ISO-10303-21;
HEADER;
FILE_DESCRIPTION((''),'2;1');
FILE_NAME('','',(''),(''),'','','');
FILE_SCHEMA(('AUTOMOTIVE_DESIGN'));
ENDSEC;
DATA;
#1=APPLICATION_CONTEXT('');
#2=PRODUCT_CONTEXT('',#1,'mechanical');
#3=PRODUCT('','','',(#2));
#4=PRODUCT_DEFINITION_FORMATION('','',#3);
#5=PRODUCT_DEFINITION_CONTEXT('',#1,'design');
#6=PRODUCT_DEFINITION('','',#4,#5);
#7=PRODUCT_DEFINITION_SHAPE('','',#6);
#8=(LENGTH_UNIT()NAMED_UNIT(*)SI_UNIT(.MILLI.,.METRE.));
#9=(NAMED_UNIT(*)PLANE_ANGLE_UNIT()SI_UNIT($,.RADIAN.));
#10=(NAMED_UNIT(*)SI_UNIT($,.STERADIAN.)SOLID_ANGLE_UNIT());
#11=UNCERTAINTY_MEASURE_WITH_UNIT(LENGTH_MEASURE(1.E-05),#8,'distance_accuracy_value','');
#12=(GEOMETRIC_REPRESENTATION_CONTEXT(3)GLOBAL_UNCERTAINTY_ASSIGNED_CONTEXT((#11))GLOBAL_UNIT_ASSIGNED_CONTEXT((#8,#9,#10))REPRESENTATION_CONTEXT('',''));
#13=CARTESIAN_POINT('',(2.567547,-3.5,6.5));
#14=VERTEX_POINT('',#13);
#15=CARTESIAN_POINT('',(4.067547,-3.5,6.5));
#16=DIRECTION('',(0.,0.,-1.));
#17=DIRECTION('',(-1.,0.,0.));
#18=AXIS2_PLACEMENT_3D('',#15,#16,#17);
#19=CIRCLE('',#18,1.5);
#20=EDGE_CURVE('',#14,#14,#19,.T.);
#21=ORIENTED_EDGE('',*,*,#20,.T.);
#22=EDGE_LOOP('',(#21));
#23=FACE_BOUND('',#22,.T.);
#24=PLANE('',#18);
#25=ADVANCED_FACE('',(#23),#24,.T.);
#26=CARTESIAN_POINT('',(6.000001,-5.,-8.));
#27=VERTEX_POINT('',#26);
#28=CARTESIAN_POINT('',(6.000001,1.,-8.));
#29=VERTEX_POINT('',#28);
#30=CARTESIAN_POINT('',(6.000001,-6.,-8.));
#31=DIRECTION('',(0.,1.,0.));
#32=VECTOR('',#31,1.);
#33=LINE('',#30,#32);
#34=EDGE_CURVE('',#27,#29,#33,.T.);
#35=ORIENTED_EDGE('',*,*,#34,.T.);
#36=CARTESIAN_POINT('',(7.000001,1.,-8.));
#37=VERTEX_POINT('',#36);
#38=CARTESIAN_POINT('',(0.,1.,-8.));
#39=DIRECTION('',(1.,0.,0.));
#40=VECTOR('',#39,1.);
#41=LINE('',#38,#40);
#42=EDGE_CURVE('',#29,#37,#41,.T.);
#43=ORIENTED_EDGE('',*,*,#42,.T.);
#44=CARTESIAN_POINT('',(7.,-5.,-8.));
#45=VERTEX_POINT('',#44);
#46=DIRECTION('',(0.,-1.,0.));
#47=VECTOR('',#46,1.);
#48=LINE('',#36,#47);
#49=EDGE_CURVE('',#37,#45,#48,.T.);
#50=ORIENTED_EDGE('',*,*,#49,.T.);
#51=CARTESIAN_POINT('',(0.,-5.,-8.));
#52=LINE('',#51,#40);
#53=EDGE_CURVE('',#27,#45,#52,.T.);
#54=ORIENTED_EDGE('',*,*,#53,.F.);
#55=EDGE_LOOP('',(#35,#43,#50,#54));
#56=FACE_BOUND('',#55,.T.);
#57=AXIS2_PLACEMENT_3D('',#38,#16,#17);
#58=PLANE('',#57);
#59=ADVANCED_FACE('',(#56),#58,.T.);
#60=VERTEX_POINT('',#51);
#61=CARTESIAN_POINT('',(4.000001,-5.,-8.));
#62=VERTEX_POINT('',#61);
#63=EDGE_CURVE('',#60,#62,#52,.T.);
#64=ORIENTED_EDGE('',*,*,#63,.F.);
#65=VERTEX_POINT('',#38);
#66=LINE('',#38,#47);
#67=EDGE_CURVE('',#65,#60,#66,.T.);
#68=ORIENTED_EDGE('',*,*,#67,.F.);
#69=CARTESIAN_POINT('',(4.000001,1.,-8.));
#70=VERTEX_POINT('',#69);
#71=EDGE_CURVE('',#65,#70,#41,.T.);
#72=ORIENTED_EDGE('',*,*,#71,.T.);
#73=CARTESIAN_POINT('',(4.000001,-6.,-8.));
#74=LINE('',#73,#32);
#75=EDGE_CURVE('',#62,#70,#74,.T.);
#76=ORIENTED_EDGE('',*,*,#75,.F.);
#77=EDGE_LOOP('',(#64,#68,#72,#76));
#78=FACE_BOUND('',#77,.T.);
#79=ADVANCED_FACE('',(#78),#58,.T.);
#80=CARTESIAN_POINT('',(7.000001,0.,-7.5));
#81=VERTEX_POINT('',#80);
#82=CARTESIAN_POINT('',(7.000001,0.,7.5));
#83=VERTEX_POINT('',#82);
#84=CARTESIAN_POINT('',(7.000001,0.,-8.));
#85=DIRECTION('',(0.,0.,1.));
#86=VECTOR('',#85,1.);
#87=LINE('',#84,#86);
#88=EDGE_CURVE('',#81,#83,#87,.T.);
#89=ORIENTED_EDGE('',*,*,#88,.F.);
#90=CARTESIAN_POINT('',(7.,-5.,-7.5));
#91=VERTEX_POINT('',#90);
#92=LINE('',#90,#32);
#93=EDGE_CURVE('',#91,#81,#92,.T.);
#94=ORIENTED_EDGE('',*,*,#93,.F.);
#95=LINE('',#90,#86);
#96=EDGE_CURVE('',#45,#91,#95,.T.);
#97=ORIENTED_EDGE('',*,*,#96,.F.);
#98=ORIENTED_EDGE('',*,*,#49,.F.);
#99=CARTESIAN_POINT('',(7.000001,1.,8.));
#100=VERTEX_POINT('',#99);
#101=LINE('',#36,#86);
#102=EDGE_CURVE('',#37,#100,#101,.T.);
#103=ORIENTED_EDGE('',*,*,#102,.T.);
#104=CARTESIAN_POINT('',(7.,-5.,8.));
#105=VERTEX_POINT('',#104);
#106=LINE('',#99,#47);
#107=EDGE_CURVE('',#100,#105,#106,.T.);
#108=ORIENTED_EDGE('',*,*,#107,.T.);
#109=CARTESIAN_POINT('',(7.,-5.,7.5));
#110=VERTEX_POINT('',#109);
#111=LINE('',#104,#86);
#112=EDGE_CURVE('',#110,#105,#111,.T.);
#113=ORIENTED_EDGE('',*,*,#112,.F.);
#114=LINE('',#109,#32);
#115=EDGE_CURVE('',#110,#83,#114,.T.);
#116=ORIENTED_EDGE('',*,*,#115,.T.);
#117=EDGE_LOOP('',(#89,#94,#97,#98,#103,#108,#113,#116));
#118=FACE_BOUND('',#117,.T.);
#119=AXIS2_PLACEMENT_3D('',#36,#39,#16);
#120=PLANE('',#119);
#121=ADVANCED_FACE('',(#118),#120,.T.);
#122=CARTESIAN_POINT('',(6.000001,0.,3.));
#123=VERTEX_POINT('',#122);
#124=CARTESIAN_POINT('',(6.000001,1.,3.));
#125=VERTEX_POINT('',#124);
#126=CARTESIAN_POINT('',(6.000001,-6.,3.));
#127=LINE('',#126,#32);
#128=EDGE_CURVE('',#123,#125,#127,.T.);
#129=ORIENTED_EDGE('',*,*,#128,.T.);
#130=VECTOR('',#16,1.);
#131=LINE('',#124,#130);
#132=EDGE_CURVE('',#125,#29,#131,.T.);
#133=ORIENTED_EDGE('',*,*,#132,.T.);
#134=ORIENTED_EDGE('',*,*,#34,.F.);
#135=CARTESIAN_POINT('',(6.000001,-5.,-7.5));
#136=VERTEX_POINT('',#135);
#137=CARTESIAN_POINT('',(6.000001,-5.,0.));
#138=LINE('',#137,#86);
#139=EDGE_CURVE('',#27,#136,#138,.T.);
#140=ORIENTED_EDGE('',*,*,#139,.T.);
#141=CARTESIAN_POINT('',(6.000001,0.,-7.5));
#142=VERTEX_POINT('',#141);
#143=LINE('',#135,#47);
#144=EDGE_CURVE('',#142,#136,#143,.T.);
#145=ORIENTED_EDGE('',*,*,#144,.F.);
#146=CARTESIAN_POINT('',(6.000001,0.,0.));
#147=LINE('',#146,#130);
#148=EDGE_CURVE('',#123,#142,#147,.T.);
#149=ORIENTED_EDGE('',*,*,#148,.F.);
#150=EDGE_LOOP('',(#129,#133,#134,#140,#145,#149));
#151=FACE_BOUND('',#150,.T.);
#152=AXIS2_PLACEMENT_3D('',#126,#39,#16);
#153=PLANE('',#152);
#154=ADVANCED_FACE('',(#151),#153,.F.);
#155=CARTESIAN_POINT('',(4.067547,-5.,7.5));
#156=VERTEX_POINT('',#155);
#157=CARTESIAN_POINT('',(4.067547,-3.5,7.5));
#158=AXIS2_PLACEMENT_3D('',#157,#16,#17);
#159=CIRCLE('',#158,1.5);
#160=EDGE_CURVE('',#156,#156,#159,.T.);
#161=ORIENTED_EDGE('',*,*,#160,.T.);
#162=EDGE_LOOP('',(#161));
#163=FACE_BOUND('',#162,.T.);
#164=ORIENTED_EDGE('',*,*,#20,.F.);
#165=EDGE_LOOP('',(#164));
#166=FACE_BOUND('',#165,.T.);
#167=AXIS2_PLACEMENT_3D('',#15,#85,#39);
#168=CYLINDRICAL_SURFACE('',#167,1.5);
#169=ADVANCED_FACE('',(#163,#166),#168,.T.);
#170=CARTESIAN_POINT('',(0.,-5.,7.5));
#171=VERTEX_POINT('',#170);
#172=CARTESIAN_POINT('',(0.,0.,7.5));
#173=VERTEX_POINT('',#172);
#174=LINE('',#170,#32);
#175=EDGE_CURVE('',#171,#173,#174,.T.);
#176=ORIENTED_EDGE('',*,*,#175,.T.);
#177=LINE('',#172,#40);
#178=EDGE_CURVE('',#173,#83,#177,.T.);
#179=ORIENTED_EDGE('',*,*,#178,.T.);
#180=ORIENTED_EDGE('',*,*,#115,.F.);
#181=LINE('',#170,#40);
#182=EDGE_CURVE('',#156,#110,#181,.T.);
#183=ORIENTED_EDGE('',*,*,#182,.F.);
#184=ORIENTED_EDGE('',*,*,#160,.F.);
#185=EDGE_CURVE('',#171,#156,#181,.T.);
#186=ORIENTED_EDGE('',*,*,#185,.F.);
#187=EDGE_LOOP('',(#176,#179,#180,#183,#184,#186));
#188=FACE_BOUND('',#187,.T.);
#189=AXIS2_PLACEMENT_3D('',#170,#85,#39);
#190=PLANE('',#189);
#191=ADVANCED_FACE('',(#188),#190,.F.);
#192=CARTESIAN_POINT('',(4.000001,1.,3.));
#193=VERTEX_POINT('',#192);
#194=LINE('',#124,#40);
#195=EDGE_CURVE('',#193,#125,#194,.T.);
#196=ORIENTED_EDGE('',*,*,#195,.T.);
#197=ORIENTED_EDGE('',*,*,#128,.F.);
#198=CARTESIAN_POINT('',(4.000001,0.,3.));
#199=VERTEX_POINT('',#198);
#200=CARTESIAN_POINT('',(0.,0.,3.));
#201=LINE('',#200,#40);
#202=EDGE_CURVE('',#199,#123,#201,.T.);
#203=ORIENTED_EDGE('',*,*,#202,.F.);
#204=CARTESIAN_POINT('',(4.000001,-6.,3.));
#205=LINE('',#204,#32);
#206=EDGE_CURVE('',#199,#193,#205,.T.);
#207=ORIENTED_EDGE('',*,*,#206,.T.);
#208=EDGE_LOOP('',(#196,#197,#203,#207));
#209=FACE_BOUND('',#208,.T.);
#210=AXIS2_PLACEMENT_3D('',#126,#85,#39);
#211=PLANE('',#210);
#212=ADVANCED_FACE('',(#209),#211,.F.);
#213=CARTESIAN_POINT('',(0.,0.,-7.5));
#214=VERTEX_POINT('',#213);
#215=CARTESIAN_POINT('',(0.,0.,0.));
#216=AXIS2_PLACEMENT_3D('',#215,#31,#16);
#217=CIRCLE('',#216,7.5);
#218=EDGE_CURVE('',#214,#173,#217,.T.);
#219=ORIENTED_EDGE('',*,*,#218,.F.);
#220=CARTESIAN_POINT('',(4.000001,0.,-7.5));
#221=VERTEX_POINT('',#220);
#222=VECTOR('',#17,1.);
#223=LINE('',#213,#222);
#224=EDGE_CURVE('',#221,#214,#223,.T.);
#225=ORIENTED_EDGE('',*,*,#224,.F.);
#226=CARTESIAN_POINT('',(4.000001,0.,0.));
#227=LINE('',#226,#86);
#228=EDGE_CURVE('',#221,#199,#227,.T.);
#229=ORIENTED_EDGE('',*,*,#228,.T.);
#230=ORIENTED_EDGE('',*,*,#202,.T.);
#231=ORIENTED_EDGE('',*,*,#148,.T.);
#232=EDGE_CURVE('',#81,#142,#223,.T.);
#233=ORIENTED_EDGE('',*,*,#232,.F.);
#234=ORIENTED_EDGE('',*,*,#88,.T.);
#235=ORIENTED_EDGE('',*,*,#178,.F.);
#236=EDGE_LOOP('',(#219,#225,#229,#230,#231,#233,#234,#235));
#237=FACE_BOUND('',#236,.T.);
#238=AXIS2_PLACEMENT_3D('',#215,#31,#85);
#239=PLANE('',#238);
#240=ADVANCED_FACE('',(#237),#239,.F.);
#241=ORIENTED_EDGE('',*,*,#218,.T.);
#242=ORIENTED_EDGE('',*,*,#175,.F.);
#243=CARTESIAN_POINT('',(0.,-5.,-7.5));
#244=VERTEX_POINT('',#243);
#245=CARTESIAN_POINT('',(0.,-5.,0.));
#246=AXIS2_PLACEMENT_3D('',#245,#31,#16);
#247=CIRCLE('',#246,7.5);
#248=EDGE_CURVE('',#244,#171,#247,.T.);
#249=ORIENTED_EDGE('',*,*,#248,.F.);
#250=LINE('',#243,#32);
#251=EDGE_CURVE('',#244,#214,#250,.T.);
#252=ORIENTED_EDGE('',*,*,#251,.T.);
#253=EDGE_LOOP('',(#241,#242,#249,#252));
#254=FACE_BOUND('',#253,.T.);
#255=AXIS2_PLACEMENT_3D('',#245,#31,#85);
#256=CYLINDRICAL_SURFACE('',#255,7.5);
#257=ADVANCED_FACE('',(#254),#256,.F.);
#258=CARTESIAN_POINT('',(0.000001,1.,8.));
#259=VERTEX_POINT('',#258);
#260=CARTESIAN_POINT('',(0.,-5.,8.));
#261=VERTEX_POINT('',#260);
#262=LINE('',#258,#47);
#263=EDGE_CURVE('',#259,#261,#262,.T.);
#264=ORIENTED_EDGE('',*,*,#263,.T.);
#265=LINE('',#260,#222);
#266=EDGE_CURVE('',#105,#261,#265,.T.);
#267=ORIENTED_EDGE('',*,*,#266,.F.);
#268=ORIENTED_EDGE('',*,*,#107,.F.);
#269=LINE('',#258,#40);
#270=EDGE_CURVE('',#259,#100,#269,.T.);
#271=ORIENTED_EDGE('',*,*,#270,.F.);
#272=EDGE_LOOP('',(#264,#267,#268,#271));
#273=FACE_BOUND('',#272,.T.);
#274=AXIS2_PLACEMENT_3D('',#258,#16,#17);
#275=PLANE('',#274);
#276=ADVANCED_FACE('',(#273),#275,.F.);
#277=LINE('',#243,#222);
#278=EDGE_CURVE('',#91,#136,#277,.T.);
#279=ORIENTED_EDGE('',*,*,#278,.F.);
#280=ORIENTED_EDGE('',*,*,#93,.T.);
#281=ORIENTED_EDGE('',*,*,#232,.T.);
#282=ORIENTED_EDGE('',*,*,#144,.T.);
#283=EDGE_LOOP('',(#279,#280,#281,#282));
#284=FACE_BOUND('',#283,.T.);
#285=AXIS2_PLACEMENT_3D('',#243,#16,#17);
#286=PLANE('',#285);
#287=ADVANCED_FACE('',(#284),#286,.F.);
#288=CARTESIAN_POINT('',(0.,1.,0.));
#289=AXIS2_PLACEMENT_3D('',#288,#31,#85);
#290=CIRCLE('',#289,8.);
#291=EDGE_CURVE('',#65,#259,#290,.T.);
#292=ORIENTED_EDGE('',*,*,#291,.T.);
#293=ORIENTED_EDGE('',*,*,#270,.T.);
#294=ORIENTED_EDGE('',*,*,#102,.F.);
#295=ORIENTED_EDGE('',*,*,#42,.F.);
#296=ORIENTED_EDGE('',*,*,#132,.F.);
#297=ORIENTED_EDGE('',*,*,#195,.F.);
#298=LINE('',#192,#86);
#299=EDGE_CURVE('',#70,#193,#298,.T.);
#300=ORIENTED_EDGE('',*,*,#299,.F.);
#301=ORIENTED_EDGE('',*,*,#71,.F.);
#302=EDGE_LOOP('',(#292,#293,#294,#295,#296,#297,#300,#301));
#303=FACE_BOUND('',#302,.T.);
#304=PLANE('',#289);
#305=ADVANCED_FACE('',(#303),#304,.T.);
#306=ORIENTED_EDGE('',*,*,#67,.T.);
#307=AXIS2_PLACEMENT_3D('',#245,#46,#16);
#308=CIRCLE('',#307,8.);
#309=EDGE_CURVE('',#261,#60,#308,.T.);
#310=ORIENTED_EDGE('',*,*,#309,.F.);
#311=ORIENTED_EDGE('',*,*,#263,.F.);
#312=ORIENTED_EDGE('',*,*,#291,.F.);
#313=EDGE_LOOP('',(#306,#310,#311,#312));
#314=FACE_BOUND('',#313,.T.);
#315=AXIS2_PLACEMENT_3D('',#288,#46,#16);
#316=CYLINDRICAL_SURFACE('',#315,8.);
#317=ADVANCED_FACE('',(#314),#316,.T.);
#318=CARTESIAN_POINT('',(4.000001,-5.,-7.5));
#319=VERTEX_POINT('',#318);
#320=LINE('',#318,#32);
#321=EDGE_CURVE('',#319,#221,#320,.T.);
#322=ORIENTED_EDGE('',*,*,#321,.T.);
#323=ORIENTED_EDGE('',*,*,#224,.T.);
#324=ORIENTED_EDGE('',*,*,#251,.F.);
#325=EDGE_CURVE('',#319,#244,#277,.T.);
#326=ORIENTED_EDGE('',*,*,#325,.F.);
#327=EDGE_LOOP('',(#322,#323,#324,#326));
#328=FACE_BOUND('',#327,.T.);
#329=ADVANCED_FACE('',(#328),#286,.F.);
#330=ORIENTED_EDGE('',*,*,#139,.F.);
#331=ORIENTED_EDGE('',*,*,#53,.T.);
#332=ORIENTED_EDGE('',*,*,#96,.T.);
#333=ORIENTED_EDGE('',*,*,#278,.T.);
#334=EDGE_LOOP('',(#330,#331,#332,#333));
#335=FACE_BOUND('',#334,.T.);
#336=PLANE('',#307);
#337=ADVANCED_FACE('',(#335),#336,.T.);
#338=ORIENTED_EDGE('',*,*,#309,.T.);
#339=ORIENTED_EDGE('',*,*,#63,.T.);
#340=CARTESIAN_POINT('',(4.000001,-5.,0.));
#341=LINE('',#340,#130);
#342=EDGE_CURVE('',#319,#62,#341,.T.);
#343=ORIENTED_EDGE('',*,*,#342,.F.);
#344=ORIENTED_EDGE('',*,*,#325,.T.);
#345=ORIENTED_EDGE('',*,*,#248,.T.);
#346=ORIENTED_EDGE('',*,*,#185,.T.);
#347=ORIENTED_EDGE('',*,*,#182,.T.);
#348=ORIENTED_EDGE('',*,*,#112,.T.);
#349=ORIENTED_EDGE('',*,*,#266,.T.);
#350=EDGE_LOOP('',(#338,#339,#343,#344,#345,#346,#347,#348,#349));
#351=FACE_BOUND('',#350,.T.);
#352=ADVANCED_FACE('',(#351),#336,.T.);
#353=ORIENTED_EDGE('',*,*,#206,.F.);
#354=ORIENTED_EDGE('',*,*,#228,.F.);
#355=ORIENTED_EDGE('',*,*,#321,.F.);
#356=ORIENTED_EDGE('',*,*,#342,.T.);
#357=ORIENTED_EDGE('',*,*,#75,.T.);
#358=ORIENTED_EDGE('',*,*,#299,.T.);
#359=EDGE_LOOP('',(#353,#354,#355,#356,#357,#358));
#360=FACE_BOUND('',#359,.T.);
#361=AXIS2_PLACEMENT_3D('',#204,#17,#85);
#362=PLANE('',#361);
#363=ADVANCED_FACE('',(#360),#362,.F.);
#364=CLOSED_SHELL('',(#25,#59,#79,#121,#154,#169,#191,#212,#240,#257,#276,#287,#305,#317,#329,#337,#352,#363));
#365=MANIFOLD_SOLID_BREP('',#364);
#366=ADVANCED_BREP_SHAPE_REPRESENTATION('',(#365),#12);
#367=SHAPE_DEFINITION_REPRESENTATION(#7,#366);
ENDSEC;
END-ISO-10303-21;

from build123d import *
from build123d.topology import SkipClean

# Parameters (mm, degrees)
BOSS_EXTRUDE1_DEPTH = 1
BOSS_EXTRUDE3_START = 5
BOSS_EXTRUDE3_DEPTH = 5
SKETCH6_W           = 2
SKETCH6_H           = 11
CUT_EXTRUDE1_DEPTH  = 7
SKETCH7_R           = 1.5
BOSS_EXTRUDE4_DEPTH = 1


with BuildPart() as part:
    # Sketch1 → Boss-Extrude1 (new body)
    with BuildSketch(Plane(origin=(0, 0, 0), x_dir=(1, 0, 0), z_dir=(0, 1, 0))):
        with BuildLine():
            Line((0, 8), (7.000000828, 8))
            Line((7.000000828, 8), (7.000000828, -8))
            Line((7.000000828, -8), (8.28e-07, -8))
            ThreePointArc((8.28e-07, -8), (-8, -4.14e-07), (0, 8))
        make_face()
    extrude(amount=BOSS_EXTRUDE1_DEPTH)

    # Sketch5 → Boss-Extrude3 (add)
    with SkipClean():  # the faces are left unmerged after this step: merging them gives an invalid solid
        with BuildSketch(Plane.XZ.offset(BOSS_EXTRUDE3_START)):
            with BuildLine():
                Line((0, 8), (7, 8))
                Line((7, 8), (7, 7.5))
                Line((7, 7.5), (0, 7.5))
                ThreePointArc((0, 7.5), (-7.5, 0), (0, -7.5))
                Line((0, -7.5), (7, -7.5))
                Line((7, -7.5), (7, -8))
                Line((7, -8), (0, -8))
                ThreePointArc((0, -8), (-8, 0), (0, 8))
            make_face()
        extrude(amount=-BOSS_EXTRUDE3_DEPTH)

    # Sketch6 → Cut-Extrude1 (cut)
    with SkipClean():  # the faces are left unmerged after this step: merging them gives an invalid solid
        with BuildSketch(Plane(origin=(0, 1, 0), x_dir=(1, 0, 0), z_dir=(0, 1, 0))):
            with Locations((5.000000828, 2.5)):
                Rectangle(SKETCH6_W, SKETCH6_H)
        extrude(amount=-CUT_EXTRUDE1_DEPTH, mode=Mode.SUBTRACT)

    # Sketch7 → Boss-Extrude4 (add)
    with SkipClean():  # the faces are left unmerged after this step: merging them gives an invalid solid
        with BuildSketch(Plane(origin=(0, 0, 7.5), x_dir=(-1, 0, 0), z_dir=(0, 0, -1))):
            with Locations(Location((-4.067547003, -3.5, 0), (0, 0, 270))):
                Circle(SKETCH7_R)
        extrude(amount=BOSS_EXTRUDE4_DEPTH)


solid = part.part
